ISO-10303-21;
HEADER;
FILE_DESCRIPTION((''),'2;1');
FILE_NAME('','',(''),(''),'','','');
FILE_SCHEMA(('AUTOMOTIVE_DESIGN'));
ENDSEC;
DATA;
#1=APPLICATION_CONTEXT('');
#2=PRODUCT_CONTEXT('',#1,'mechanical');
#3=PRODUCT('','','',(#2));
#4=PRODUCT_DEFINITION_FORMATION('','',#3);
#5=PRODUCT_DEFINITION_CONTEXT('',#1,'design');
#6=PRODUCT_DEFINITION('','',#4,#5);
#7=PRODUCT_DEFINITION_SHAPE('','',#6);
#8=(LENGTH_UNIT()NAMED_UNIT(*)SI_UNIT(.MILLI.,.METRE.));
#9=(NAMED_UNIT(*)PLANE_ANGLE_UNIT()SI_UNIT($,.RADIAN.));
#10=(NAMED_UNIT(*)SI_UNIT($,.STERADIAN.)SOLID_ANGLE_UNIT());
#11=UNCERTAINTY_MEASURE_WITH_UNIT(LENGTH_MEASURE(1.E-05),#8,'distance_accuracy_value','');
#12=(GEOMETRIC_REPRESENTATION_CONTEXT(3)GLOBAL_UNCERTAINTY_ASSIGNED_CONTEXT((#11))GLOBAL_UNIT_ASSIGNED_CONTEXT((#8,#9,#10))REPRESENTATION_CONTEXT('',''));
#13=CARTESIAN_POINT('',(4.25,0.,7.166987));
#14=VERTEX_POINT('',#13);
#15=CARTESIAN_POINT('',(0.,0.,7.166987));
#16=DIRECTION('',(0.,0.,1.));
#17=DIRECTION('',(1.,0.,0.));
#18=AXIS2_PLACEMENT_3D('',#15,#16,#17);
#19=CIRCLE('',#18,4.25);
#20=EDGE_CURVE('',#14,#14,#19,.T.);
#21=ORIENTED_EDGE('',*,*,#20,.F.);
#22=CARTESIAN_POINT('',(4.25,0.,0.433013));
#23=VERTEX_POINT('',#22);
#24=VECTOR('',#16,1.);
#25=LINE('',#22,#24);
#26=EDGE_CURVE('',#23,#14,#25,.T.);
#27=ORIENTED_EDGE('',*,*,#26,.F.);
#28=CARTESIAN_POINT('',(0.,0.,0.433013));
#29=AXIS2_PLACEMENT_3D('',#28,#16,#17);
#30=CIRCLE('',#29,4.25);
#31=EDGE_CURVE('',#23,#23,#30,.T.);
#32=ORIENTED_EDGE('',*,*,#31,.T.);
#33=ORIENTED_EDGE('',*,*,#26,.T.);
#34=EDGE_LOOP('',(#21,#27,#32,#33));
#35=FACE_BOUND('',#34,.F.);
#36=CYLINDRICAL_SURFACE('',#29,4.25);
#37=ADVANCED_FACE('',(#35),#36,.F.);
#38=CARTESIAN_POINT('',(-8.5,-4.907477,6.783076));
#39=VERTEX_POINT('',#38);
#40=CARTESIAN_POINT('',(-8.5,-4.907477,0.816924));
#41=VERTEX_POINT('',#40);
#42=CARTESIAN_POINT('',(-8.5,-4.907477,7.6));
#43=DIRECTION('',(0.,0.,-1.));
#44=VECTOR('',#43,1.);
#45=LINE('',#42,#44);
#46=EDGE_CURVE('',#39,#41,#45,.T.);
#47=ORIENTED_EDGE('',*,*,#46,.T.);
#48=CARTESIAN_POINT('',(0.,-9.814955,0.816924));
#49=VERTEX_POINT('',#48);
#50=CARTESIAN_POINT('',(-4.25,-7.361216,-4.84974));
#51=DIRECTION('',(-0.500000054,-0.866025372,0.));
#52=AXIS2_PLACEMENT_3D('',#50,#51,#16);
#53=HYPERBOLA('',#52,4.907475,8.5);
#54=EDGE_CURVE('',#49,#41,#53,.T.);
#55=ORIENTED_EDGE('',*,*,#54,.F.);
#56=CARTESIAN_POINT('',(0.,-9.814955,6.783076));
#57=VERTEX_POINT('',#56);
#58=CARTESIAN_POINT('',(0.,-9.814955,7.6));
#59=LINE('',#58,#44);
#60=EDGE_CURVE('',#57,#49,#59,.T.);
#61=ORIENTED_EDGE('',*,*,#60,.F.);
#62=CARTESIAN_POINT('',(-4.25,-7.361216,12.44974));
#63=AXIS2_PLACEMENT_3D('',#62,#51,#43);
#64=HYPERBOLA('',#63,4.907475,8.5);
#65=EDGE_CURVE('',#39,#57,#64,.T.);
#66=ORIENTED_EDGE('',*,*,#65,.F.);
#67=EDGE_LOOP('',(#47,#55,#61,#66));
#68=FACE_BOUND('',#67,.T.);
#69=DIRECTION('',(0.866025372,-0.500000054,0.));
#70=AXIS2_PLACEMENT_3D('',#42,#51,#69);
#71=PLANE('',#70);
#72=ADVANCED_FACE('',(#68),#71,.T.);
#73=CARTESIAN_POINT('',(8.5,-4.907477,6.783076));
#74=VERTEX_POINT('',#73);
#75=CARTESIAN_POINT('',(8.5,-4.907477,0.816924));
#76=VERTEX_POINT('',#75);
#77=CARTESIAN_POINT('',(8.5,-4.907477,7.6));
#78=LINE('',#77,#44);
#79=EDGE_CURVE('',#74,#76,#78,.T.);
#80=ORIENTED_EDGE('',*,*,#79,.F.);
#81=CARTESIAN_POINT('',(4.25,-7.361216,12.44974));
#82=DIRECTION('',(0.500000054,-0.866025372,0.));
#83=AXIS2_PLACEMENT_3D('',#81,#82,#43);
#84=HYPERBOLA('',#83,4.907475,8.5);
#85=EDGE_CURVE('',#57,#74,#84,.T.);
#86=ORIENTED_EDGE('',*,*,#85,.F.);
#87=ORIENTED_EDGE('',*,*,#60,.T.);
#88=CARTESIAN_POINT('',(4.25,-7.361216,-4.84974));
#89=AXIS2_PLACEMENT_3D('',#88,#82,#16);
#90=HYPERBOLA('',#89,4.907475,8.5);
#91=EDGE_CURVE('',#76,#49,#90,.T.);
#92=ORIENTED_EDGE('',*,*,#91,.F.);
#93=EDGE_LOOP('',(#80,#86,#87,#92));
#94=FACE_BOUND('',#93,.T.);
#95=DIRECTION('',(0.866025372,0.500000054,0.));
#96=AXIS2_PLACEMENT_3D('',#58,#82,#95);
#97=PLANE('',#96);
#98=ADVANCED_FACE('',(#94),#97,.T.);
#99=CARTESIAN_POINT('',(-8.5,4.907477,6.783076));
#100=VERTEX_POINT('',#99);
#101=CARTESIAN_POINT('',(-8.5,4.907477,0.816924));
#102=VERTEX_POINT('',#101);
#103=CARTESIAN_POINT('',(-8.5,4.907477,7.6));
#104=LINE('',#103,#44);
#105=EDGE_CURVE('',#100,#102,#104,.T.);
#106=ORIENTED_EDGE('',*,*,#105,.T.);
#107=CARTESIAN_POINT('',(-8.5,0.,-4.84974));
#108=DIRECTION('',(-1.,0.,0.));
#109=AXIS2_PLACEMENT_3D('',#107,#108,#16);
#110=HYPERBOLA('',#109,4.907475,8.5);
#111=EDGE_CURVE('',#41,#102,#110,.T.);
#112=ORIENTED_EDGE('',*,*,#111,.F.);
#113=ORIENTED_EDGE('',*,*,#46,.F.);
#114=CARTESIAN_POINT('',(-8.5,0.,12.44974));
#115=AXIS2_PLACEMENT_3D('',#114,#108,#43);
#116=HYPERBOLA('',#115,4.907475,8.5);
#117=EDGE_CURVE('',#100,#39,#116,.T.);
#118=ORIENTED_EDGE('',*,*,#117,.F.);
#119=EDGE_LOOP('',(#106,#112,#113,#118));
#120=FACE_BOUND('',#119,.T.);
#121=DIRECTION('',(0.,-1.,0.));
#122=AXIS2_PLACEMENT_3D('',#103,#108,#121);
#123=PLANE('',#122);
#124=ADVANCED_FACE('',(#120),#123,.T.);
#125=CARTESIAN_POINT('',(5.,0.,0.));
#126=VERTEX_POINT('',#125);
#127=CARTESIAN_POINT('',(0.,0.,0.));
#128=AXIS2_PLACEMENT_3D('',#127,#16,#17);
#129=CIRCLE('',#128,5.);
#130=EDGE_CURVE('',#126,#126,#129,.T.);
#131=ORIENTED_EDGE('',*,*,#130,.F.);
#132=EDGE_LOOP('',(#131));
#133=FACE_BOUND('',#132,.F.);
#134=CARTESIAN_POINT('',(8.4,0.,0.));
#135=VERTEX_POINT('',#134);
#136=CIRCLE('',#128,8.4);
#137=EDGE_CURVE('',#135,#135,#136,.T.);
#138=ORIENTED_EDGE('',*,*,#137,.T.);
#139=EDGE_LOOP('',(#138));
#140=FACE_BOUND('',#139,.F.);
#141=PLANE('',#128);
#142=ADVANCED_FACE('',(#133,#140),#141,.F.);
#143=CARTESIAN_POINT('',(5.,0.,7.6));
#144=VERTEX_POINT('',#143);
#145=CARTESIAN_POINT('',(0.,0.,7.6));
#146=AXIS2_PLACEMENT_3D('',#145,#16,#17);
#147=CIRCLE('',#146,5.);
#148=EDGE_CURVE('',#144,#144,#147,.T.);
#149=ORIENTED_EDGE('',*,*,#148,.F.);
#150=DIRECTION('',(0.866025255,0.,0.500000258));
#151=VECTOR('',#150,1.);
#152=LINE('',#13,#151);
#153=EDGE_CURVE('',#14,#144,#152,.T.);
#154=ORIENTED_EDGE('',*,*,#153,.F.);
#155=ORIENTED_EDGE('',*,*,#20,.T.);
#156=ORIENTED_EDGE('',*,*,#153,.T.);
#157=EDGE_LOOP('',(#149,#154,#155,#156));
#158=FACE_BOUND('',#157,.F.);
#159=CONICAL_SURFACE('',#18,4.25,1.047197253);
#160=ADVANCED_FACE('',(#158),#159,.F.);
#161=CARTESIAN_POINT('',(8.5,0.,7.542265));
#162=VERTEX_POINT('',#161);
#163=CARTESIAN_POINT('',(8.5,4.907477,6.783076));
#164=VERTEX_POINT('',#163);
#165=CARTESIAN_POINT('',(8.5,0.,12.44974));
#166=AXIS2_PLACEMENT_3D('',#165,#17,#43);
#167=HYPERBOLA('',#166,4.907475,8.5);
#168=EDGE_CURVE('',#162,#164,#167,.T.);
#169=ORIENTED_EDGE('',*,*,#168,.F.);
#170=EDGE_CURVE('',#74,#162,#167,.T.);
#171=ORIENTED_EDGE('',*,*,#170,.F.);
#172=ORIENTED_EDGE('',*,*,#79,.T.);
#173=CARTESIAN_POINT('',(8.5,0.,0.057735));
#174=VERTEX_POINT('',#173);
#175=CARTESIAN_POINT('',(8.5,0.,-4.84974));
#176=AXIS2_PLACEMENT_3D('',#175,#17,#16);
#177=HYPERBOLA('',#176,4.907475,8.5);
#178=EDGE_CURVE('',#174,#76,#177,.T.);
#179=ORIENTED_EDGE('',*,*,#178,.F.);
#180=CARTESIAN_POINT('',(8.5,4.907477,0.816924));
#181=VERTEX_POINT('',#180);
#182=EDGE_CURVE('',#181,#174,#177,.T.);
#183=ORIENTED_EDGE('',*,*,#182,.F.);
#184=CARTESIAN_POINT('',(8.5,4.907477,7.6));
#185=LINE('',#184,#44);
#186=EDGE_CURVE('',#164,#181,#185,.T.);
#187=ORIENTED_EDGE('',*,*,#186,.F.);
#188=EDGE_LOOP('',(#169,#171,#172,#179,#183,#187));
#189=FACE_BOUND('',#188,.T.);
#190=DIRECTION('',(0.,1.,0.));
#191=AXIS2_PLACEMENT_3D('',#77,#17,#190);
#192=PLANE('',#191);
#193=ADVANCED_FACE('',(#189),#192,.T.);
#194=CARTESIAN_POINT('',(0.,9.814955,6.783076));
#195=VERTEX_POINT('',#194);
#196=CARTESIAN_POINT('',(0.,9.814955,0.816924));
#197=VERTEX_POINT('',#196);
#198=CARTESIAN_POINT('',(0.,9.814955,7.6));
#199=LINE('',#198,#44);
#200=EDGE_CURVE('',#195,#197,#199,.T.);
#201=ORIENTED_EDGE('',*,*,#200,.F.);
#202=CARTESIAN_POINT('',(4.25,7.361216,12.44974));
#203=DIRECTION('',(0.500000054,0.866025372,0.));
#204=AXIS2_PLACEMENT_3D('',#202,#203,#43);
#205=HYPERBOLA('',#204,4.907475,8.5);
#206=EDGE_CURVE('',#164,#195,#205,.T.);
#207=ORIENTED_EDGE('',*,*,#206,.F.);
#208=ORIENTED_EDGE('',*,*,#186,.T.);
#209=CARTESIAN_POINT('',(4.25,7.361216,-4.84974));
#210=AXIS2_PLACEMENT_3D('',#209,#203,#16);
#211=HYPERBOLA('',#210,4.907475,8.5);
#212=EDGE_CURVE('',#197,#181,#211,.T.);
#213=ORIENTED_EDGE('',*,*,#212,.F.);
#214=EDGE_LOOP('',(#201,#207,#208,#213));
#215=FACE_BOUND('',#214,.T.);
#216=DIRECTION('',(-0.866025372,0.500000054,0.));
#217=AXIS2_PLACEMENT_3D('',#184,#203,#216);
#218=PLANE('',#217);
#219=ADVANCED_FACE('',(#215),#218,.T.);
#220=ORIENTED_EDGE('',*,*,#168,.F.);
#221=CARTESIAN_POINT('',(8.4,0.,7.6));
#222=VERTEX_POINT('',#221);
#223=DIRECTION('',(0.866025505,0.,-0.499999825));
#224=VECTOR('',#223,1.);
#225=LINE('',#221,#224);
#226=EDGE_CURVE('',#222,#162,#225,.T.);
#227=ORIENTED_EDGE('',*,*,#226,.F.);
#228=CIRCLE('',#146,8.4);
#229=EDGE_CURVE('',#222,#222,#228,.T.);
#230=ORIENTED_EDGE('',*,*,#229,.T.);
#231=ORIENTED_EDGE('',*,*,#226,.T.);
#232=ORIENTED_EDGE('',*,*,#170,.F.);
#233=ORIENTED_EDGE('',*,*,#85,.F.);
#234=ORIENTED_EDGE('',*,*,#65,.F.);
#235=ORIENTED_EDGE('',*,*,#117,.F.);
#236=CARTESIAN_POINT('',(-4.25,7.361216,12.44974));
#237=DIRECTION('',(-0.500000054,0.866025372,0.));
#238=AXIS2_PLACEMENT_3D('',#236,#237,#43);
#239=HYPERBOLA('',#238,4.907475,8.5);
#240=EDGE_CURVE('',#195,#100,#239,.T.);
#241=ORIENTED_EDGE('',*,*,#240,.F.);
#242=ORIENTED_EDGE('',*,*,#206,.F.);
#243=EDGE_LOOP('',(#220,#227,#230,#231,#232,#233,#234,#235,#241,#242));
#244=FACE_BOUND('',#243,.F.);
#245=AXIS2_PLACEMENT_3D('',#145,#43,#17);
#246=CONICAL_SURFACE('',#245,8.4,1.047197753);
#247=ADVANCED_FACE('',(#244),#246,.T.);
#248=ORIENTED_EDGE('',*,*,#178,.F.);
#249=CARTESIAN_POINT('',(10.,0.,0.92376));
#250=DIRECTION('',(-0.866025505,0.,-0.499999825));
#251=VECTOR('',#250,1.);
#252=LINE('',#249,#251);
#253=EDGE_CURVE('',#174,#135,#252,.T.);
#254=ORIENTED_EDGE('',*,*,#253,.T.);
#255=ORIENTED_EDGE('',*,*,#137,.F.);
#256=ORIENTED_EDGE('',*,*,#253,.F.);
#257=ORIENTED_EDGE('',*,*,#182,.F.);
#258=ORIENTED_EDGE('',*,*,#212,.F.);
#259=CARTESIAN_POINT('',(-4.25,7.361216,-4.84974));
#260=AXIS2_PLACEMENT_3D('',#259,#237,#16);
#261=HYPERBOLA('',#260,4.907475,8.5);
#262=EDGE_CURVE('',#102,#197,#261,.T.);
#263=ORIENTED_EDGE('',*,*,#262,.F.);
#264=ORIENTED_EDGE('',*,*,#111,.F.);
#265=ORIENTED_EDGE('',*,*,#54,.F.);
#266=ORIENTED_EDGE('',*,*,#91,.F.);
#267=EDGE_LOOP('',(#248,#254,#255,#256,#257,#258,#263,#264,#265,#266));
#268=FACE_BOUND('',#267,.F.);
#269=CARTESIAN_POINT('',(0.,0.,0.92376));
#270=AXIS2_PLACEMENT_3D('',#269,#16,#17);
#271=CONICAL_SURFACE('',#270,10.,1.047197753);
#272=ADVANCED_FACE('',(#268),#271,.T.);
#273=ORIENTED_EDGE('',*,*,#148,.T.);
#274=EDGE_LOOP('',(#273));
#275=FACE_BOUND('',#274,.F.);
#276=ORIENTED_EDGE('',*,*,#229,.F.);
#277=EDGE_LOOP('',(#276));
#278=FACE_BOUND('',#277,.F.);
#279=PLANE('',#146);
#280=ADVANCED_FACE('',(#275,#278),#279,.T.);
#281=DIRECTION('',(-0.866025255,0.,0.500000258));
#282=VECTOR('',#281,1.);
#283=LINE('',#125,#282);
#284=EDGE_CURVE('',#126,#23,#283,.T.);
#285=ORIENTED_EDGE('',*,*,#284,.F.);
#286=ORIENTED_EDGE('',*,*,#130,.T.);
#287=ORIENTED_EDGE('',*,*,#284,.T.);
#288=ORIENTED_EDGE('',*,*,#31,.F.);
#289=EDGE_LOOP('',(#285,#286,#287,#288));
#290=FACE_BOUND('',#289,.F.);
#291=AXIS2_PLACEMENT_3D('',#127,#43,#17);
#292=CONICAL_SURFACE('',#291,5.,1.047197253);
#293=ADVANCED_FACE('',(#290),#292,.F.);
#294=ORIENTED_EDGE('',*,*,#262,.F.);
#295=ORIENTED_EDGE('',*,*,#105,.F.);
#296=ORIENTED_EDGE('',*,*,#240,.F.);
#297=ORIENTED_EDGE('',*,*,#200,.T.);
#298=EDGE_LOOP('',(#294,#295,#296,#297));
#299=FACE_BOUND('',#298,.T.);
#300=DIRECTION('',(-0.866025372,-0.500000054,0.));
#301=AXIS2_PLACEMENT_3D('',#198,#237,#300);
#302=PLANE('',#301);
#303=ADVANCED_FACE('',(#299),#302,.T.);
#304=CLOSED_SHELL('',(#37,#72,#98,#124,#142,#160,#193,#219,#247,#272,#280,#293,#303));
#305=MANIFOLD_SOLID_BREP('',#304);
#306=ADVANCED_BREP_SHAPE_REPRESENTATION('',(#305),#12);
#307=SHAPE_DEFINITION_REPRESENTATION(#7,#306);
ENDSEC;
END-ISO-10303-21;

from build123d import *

# Parameters (mm, degrees)
SKETCH001_R  = 10
POCKET_DEPTH = 7.6


with BuildPart() as part:
    # Sketch → Revolution (revolve)
    with BuildSketch(Plane.XZ):
        Polygon((5, 0), (4.25, 0.433013), (4.25, 7.166987), (5, 7.6), (8.4, 7.6), (10, 6.67624), (10, 0.92376), (8.4, 0), align=None)
    revolve(axis=Axis((0, 0, 0), (0, 0, 1)))

    # Sketch001 → Pocket (cut)
    with BuildSketch(Plane(origin=(0, 0, 7.6), x_dir=(-1, 0, 0), z_dir=(0, 0, 1))):
        Circle(SKETCH001_R)
        Polygon((-8.5, 4.907477), (-8.5, -4.907477), (0, -9.814955), (8.5, -4.907477), (8.5, 4.907477), (0, 9.814955), align=None, mode=Mode.SUBTRACT)
    extrude(amount=-POCKET_DEPTH, mode=Mode.SUBTRACT)


solid = part.part
